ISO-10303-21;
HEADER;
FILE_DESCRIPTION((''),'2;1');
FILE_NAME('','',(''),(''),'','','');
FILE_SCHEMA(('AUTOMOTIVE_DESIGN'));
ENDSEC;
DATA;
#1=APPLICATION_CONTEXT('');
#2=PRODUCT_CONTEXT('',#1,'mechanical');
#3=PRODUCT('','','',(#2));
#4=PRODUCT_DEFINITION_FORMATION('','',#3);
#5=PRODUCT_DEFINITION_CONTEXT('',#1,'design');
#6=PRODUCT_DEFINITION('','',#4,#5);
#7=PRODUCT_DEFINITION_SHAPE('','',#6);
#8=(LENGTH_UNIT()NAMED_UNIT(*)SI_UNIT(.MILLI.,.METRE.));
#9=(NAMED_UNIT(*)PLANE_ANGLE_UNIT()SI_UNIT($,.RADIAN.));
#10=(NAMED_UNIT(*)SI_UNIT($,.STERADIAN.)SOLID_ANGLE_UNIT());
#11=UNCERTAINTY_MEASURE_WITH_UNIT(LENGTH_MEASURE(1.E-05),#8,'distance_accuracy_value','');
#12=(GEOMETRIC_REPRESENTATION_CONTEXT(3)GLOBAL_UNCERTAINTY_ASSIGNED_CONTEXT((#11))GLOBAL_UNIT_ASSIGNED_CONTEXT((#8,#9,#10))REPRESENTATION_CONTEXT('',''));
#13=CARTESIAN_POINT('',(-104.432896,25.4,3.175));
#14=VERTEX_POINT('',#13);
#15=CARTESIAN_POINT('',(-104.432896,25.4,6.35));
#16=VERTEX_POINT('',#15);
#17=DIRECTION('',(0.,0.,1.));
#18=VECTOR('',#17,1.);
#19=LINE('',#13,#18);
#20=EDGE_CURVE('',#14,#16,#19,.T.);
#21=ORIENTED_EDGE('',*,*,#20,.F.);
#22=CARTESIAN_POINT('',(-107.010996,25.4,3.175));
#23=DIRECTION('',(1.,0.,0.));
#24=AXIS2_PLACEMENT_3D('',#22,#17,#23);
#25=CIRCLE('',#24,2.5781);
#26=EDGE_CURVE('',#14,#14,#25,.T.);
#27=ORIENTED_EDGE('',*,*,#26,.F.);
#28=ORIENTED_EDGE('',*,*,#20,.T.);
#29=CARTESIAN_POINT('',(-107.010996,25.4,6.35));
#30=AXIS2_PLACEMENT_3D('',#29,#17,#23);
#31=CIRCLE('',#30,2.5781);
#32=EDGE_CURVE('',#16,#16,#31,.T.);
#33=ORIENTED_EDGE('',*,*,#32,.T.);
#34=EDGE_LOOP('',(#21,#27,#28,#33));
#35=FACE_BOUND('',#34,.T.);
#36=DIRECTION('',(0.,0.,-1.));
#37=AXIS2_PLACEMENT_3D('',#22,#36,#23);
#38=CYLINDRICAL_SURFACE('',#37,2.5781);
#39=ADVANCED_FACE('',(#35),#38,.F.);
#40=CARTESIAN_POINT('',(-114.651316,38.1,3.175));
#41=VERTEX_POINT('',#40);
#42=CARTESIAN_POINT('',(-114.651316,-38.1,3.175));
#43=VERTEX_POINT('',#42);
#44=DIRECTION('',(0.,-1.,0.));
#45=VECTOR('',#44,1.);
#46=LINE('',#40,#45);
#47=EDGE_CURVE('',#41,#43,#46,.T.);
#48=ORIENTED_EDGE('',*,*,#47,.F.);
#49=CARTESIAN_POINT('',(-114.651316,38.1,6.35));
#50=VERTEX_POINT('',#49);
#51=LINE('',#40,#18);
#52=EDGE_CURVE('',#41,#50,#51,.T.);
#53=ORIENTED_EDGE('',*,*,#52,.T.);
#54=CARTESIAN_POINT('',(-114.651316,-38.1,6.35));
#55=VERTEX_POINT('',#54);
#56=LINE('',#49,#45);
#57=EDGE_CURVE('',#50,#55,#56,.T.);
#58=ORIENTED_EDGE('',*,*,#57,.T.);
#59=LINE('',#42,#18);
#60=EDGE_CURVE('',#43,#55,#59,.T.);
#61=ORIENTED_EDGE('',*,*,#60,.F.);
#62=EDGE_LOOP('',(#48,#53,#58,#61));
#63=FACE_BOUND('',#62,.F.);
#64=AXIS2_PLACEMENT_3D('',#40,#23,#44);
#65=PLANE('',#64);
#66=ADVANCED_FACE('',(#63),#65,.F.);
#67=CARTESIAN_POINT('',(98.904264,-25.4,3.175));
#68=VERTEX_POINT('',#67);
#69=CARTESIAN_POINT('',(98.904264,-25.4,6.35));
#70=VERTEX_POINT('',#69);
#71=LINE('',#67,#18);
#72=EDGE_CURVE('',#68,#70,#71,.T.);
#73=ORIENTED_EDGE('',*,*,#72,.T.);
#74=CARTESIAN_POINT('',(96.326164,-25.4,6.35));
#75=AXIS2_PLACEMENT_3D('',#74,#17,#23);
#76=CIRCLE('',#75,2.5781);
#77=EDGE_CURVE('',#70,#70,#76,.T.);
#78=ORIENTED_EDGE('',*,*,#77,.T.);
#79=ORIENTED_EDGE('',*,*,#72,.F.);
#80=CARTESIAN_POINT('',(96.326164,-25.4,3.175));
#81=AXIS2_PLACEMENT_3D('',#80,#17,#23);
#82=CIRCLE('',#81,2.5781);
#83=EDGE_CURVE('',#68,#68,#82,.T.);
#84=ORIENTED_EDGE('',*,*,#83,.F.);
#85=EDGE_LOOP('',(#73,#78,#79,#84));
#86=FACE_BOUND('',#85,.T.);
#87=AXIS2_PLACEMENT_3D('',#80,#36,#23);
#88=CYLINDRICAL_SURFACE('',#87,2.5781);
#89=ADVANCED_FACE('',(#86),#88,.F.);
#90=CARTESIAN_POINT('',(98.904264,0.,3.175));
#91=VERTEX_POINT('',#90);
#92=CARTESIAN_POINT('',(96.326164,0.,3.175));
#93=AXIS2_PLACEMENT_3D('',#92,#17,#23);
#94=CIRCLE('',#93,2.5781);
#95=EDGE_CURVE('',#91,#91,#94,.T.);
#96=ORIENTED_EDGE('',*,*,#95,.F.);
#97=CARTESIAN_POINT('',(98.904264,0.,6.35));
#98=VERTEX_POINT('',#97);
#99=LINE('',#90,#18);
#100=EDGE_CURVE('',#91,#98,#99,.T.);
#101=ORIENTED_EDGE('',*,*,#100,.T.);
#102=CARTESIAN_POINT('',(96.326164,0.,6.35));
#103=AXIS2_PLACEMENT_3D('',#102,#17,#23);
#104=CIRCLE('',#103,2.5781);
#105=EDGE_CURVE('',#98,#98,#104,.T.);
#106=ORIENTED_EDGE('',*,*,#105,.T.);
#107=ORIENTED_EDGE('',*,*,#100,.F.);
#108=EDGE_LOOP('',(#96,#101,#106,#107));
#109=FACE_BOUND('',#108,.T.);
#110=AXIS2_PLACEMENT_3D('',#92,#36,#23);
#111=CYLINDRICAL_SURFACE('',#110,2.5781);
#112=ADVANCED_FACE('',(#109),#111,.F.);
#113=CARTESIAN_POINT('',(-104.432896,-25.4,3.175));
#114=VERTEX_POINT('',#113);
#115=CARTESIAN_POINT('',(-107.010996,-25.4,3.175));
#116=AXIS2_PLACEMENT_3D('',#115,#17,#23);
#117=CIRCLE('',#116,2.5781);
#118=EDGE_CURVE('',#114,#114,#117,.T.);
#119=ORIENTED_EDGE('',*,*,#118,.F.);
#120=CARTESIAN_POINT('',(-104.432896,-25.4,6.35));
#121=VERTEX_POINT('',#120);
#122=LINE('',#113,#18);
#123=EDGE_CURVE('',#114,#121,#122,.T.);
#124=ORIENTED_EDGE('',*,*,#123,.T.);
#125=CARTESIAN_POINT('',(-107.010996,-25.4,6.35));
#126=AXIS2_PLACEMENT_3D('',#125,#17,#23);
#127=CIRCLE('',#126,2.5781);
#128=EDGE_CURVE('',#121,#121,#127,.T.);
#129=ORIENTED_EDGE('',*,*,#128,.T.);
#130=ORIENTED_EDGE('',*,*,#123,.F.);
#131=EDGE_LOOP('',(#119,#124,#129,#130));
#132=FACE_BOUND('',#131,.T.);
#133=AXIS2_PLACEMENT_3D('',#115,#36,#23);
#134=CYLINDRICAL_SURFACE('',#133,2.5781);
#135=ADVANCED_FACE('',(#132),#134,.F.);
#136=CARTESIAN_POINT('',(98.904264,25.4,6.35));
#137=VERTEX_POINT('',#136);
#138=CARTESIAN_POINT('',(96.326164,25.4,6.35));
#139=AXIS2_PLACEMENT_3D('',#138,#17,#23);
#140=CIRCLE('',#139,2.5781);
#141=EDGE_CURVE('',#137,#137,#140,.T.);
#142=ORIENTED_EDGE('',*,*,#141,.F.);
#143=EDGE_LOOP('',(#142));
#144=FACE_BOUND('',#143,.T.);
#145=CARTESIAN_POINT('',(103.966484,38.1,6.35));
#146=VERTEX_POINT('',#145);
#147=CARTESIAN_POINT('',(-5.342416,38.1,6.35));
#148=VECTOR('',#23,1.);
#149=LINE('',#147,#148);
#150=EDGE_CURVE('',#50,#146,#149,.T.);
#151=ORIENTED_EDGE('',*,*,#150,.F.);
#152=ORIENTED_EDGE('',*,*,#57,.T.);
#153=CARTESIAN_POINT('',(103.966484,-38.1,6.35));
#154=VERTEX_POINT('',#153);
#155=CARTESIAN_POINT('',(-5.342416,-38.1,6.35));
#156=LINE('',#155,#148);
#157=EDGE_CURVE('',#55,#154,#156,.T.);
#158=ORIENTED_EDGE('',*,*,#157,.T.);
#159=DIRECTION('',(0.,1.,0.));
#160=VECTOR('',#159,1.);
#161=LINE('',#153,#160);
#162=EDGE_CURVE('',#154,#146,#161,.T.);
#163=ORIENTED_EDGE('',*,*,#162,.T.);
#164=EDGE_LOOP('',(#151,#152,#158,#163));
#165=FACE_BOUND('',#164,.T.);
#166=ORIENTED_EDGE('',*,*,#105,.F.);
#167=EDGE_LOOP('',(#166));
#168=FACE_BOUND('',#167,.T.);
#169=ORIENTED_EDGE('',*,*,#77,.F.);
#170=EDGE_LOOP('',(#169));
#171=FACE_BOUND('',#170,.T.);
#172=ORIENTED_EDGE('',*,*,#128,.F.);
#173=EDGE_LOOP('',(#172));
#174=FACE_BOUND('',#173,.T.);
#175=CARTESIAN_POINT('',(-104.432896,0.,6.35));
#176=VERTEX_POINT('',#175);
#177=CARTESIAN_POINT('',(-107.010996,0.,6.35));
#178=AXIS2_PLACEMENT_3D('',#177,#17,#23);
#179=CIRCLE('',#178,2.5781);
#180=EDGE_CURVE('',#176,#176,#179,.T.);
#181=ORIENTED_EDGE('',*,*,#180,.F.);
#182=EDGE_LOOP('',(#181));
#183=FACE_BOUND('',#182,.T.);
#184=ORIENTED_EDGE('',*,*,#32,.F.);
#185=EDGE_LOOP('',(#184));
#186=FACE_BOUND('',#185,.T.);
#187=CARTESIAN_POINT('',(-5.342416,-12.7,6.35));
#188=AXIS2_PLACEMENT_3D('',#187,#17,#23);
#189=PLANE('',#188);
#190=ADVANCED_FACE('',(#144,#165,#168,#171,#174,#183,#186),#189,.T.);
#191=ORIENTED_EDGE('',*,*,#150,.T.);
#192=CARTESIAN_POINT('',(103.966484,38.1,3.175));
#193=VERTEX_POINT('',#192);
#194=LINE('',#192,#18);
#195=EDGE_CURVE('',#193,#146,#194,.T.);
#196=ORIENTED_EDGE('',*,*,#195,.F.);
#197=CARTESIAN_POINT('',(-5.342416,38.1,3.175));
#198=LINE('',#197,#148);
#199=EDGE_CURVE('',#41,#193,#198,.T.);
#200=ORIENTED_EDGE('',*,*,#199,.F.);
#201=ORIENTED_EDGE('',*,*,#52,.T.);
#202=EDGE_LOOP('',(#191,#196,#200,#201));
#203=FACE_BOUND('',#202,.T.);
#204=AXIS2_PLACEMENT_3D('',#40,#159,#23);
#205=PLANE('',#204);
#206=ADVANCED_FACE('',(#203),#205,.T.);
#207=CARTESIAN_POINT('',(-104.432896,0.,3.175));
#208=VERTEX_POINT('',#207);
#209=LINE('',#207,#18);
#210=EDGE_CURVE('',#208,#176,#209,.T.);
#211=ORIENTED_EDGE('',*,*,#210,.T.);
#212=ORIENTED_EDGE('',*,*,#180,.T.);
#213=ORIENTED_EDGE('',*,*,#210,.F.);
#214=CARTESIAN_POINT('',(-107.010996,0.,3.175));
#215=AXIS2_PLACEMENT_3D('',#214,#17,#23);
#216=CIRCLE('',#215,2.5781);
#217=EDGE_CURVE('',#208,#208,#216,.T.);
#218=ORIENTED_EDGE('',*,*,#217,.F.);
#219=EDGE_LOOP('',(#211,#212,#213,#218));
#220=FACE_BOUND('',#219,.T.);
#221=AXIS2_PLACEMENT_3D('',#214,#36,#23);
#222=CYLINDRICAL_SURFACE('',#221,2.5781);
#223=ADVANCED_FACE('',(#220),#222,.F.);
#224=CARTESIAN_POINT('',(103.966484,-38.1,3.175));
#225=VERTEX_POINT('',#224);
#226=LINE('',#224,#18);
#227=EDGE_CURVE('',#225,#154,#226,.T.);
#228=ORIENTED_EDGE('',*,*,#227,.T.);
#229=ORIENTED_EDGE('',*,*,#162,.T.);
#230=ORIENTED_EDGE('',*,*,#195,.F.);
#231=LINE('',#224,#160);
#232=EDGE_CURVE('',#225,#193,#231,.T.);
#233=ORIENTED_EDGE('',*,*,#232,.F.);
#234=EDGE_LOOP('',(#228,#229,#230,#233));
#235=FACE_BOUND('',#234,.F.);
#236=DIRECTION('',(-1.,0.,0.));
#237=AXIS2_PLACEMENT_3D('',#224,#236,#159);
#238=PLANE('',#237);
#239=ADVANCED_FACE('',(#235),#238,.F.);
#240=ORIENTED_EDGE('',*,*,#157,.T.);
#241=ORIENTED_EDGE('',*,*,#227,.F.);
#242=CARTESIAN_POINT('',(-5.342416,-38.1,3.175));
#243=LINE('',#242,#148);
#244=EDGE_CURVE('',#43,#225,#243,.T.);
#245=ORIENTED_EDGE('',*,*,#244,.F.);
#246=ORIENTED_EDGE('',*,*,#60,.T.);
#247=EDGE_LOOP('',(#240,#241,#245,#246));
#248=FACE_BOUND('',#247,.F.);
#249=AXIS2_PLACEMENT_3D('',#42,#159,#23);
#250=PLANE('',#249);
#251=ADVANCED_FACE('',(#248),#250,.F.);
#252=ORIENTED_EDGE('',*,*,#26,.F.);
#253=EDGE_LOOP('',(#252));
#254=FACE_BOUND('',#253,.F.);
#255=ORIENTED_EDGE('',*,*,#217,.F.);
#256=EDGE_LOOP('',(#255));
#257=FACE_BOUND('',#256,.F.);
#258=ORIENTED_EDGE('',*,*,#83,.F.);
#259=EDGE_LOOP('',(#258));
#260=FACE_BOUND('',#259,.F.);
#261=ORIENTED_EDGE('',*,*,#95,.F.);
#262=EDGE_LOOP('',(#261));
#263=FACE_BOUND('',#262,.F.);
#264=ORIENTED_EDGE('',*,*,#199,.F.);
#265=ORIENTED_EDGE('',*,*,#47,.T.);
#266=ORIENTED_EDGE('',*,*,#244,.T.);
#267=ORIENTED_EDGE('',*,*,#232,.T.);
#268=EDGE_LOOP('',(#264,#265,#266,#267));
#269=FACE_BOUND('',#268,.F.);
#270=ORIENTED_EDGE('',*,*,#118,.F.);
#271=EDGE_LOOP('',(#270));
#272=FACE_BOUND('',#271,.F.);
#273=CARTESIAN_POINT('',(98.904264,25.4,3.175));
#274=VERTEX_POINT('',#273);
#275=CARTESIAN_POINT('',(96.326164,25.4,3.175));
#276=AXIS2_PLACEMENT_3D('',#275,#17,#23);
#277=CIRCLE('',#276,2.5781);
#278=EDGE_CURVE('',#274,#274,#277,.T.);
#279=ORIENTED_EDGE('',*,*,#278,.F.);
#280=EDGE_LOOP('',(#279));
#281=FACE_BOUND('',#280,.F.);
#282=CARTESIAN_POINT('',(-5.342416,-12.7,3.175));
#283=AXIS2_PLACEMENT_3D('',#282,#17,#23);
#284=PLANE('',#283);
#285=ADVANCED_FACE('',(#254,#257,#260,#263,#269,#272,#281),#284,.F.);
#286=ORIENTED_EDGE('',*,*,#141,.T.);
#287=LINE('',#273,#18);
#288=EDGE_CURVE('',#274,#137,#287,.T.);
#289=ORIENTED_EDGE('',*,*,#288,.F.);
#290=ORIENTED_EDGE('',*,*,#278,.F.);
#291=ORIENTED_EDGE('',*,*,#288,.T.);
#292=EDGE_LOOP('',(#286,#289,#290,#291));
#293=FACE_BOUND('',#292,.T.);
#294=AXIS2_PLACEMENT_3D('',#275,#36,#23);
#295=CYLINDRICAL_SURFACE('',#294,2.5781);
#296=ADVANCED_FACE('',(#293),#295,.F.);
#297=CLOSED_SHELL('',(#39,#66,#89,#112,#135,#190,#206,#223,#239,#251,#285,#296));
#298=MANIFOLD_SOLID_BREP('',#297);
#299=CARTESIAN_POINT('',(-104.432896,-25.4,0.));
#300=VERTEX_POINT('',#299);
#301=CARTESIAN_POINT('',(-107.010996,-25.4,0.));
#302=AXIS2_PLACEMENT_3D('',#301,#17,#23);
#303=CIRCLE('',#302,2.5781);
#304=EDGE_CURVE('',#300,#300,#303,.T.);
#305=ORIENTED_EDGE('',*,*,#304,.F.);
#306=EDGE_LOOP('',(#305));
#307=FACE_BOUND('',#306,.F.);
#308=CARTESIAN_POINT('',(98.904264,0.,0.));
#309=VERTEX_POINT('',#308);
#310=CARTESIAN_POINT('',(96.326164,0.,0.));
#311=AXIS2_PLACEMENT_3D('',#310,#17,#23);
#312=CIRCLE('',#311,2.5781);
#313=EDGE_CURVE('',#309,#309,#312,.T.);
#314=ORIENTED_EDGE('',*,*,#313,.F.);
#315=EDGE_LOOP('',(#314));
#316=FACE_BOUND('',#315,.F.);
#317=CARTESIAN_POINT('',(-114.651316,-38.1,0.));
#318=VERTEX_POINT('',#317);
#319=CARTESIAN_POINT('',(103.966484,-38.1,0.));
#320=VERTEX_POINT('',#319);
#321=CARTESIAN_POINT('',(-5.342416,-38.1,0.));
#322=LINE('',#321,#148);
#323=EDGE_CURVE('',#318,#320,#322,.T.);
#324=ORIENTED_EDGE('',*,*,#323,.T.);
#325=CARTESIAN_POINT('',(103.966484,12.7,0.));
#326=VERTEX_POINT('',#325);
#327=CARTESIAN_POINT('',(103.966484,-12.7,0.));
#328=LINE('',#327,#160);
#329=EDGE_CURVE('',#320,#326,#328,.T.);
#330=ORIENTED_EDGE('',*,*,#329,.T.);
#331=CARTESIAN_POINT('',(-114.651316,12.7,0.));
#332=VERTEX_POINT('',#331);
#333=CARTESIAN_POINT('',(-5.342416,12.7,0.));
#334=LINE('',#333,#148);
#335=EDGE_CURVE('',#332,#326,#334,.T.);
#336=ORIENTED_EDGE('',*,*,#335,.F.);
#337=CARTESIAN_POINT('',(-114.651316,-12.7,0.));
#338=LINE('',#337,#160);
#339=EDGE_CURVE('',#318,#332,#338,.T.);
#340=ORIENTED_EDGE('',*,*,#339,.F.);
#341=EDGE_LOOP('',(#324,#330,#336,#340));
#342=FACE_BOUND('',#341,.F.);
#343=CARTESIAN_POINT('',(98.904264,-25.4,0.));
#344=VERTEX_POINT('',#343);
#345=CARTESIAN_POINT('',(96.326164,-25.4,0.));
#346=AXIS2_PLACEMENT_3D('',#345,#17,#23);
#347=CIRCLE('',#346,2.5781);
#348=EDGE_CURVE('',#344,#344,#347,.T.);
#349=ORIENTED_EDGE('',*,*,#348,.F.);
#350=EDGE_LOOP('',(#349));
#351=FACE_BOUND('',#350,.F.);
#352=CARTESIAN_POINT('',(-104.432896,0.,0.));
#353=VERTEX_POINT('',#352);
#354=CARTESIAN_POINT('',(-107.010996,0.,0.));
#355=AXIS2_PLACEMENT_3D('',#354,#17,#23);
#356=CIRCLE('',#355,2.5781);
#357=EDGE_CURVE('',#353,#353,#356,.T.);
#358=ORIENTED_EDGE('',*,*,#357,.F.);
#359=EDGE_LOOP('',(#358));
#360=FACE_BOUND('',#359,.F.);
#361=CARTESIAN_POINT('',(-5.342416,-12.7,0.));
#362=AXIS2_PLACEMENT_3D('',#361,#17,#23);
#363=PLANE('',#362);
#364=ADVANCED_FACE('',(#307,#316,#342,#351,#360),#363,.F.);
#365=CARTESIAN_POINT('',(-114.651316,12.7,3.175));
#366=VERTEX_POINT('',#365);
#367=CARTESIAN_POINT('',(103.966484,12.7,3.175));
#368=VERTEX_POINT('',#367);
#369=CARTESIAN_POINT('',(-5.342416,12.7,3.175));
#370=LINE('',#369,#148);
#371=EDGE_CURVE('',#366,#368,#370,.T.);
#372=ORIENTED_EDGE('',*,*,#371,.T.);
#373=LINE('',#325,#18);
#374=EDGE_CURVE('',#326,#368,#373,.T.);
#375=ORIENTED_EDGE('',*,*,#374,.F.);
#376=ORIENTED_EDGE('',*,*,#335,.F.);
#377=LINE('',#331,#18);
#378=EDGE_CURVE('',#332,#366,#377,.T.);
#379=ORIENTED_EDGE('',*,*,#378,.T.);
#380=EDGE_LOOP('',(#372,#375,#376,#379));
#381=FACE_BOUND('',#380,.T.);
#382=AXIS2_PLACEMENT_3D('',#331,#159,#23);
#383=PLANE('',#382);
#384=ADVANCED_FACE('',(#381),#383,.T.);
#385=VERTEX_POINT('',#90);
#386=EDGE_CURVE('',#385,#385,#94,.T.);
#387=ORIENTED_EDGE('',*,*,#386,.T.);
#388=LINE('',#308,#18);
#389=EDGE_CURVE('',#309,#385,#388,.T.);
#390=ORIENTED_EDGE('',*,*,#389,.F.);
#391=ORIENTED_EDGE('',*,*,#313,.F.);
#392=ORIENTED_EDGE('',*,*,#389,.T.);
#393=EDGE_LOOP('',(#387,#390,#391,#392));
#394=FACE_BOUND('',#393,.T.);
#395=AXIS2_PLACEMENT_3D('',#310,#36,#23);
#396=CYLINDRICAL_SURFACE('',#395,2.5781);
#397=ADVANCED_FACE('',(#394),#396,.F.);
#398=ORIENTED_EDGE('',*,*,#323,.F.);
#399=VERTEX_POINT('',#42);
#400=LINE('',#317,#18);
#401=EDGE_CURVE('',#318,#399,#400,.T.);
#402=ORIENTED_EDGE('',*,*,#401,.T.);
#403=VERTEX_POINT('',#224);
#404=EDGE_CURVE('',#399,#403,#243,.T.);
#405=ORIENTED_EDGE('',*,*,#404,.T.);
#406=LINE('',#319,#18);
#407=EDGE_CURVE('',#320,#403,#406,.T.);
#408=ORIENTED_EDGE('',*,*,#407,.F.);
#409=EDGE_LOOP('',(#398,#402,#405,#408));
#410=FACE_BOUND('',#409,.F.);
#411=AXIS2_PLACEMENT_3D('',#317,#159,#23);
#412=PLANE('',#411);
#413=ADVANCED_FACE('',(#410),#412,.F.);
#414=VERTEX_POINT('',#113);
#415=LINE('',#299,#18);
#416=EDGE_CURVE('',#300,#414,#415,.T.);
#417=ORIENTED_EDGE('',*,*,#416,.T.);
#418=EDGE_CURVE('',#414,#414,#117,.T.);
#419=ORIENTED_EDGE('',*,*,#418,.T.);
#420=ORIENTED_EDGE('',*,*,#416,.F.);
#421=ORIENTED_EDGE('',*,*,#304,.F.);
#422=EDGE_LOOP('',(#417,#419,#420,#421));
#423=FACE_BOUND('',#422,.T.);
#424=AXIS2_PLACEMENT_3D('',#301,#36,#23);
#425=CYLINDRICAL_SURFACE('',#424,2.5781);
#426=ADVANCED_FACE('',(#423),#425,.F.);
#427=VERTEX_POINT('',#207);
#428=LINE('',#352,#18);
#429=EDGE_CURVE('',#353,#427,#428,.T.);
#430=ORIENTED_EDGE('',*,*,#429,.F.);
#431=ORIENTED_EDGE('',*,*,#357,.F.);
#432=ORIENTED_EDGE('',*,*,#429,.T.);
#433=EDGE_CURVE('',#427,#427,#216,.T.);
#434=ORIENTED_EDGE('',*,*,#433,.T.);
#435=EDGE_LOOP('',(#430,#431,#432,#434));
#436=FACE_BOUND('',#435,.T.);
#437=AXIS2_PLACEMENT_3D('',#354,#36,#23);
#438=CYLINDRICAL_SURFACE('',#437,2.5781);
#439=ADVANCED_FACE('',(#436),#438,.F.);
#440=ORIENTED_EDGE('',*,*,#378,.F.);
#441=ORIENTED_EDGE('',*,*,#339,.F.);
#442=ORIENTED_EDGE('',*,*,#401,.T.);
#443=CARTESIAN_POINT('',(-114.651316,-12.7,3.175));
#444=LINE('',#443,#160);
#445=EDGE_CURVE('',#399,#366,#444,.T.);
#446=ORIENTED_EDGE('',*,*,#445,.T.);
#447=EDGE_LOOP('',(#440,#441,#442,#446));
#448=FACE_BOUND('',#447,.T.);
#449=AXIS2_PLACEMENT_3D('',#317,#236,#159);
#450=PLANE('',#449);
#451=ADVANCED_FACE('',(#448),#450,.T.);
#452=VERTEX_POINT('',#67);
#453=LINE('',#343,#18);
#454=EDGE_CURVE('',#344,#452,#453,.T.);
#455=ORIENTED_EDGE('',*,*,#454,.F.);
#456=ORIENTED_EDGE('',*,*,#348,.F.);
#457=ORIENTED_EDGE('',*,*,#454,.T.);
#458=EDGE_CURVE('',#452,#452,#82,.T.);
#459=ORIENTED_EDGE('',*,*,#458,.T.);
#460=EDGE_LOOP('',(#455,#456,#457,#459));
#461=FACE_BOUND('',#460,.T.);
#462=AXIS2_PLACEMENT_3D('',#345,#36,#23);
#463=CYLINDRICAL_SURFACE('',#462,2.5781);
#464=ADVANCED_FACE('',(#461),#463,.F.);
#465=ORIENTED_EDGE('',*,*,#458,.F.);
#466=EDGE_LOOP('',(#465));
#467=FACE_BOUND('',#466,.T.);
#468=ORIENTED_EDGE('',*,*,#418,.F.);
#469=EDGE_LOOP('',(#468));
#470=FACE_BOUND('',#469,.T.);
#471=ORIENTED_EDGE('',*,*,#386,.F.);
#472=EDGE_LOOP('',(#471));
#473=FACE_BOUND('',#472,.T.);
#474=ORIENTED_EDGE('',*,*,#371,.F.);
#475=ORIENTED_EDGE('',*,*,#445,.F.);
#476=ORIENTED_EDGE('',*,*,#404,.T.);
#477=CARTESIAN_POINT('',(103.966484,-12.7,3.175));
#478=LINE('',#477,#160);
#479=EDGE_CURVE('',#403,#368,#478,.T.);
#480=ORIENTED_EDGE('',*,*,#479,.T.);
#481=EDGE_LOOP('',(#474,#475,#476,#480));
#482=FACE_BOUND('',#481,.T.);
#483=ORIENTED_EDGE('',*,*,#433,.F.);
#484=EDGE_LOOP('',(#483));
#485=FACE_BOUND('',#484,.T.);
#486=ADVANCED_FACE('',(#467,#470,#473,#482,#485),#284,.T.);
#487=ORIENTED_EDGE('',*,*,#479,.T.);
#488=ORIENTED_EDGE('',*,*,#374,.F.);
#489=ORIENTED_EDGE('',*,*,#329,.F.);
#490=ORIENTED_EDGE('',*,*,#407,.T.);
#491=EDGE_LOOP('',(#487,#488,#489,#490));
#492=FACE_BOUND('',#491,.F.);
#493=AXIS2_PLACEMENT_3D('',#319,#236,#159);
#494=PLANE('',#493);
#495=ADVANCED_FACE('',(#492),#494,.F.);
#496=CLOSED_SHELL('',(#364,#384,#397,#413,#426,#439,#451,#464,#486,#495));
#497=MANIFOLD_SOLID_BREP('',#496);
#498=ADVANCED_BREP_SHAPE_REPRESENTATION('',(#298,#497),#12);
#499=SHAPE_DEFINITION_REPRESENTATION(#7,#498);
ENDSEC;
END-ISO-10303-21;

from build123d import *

# Parameters (mm, degrees)
F0_W     = 218.6178
F0_H     = 50.8
F0_R     = 2.5781
F1_DEPTH = 3.175
F2_START = 3.175
F0_H_2   = 25.4
F2_DEPTH = 3.175


with BuildPart() as f1:
    # F0 (on Top) → F1 (new body)
    with BuildSketch(Plane.XY):
        with Locations((-5.3424164653, -12.7)):
            Rectangle(F0_W, F0_H)
        with Locations((-107.0109964653, -25.4)):
            Circle(F0_R, mode=Mode.SUBTRACT)
        with Locations((96.3261635347, -25.4)):
            Circle(F0_R, mode=Mode.SUBTRACT)
        with Locations((-107.0109964653, 0)):
            Circle(F0_R, mode=Mode.SUBTRACT)
        with Locations((96.3261635347, 0)):
            Circle(F0_R, mode=Mode.SUBTRACT)
    extrude(amount=F1_DEPTH)


with BuildPart() as f2:
    # F0 (on Top) → F2 (new body)
    with BuildSketch(Plane.XY.offset(F2_START)):
        with Locations((-5.3424164653, -12.7)):
            Rectangle(F0_W, F0_H)
        with Locations((-107.0109964653, -25.4)):
            Circle(F0_R, mode=Mode.SUBTRACT)
        with Locations((96.3261635347, -25.4)):
            Circle(F0_R, mode=Mode.SUBTRACT)
        with Locations((-107.0109964653, 0)):
            Circle(F0_R, mode=Mode.SUBTRACT)
        with Locations((96.3261635347, 0)):
            Circle(F0_R, mode=Mode.SUBTRACT)
        with Locations((-5.3424164653, 25.4)):
            Rectangle(F0_W, F0_H_2)
        with Locations((-107.0109964653, 25.4)):
            Circle(F0_R, mode=Mode.SUBTRACT)
        with Locations((96.3261635347, 25.4)):
            Circle(F0_R, mode=Mode.SUBTRACT)
    extrude(amount=F2_DEPTH)


solid = Compound([f1.part, f2.part])
